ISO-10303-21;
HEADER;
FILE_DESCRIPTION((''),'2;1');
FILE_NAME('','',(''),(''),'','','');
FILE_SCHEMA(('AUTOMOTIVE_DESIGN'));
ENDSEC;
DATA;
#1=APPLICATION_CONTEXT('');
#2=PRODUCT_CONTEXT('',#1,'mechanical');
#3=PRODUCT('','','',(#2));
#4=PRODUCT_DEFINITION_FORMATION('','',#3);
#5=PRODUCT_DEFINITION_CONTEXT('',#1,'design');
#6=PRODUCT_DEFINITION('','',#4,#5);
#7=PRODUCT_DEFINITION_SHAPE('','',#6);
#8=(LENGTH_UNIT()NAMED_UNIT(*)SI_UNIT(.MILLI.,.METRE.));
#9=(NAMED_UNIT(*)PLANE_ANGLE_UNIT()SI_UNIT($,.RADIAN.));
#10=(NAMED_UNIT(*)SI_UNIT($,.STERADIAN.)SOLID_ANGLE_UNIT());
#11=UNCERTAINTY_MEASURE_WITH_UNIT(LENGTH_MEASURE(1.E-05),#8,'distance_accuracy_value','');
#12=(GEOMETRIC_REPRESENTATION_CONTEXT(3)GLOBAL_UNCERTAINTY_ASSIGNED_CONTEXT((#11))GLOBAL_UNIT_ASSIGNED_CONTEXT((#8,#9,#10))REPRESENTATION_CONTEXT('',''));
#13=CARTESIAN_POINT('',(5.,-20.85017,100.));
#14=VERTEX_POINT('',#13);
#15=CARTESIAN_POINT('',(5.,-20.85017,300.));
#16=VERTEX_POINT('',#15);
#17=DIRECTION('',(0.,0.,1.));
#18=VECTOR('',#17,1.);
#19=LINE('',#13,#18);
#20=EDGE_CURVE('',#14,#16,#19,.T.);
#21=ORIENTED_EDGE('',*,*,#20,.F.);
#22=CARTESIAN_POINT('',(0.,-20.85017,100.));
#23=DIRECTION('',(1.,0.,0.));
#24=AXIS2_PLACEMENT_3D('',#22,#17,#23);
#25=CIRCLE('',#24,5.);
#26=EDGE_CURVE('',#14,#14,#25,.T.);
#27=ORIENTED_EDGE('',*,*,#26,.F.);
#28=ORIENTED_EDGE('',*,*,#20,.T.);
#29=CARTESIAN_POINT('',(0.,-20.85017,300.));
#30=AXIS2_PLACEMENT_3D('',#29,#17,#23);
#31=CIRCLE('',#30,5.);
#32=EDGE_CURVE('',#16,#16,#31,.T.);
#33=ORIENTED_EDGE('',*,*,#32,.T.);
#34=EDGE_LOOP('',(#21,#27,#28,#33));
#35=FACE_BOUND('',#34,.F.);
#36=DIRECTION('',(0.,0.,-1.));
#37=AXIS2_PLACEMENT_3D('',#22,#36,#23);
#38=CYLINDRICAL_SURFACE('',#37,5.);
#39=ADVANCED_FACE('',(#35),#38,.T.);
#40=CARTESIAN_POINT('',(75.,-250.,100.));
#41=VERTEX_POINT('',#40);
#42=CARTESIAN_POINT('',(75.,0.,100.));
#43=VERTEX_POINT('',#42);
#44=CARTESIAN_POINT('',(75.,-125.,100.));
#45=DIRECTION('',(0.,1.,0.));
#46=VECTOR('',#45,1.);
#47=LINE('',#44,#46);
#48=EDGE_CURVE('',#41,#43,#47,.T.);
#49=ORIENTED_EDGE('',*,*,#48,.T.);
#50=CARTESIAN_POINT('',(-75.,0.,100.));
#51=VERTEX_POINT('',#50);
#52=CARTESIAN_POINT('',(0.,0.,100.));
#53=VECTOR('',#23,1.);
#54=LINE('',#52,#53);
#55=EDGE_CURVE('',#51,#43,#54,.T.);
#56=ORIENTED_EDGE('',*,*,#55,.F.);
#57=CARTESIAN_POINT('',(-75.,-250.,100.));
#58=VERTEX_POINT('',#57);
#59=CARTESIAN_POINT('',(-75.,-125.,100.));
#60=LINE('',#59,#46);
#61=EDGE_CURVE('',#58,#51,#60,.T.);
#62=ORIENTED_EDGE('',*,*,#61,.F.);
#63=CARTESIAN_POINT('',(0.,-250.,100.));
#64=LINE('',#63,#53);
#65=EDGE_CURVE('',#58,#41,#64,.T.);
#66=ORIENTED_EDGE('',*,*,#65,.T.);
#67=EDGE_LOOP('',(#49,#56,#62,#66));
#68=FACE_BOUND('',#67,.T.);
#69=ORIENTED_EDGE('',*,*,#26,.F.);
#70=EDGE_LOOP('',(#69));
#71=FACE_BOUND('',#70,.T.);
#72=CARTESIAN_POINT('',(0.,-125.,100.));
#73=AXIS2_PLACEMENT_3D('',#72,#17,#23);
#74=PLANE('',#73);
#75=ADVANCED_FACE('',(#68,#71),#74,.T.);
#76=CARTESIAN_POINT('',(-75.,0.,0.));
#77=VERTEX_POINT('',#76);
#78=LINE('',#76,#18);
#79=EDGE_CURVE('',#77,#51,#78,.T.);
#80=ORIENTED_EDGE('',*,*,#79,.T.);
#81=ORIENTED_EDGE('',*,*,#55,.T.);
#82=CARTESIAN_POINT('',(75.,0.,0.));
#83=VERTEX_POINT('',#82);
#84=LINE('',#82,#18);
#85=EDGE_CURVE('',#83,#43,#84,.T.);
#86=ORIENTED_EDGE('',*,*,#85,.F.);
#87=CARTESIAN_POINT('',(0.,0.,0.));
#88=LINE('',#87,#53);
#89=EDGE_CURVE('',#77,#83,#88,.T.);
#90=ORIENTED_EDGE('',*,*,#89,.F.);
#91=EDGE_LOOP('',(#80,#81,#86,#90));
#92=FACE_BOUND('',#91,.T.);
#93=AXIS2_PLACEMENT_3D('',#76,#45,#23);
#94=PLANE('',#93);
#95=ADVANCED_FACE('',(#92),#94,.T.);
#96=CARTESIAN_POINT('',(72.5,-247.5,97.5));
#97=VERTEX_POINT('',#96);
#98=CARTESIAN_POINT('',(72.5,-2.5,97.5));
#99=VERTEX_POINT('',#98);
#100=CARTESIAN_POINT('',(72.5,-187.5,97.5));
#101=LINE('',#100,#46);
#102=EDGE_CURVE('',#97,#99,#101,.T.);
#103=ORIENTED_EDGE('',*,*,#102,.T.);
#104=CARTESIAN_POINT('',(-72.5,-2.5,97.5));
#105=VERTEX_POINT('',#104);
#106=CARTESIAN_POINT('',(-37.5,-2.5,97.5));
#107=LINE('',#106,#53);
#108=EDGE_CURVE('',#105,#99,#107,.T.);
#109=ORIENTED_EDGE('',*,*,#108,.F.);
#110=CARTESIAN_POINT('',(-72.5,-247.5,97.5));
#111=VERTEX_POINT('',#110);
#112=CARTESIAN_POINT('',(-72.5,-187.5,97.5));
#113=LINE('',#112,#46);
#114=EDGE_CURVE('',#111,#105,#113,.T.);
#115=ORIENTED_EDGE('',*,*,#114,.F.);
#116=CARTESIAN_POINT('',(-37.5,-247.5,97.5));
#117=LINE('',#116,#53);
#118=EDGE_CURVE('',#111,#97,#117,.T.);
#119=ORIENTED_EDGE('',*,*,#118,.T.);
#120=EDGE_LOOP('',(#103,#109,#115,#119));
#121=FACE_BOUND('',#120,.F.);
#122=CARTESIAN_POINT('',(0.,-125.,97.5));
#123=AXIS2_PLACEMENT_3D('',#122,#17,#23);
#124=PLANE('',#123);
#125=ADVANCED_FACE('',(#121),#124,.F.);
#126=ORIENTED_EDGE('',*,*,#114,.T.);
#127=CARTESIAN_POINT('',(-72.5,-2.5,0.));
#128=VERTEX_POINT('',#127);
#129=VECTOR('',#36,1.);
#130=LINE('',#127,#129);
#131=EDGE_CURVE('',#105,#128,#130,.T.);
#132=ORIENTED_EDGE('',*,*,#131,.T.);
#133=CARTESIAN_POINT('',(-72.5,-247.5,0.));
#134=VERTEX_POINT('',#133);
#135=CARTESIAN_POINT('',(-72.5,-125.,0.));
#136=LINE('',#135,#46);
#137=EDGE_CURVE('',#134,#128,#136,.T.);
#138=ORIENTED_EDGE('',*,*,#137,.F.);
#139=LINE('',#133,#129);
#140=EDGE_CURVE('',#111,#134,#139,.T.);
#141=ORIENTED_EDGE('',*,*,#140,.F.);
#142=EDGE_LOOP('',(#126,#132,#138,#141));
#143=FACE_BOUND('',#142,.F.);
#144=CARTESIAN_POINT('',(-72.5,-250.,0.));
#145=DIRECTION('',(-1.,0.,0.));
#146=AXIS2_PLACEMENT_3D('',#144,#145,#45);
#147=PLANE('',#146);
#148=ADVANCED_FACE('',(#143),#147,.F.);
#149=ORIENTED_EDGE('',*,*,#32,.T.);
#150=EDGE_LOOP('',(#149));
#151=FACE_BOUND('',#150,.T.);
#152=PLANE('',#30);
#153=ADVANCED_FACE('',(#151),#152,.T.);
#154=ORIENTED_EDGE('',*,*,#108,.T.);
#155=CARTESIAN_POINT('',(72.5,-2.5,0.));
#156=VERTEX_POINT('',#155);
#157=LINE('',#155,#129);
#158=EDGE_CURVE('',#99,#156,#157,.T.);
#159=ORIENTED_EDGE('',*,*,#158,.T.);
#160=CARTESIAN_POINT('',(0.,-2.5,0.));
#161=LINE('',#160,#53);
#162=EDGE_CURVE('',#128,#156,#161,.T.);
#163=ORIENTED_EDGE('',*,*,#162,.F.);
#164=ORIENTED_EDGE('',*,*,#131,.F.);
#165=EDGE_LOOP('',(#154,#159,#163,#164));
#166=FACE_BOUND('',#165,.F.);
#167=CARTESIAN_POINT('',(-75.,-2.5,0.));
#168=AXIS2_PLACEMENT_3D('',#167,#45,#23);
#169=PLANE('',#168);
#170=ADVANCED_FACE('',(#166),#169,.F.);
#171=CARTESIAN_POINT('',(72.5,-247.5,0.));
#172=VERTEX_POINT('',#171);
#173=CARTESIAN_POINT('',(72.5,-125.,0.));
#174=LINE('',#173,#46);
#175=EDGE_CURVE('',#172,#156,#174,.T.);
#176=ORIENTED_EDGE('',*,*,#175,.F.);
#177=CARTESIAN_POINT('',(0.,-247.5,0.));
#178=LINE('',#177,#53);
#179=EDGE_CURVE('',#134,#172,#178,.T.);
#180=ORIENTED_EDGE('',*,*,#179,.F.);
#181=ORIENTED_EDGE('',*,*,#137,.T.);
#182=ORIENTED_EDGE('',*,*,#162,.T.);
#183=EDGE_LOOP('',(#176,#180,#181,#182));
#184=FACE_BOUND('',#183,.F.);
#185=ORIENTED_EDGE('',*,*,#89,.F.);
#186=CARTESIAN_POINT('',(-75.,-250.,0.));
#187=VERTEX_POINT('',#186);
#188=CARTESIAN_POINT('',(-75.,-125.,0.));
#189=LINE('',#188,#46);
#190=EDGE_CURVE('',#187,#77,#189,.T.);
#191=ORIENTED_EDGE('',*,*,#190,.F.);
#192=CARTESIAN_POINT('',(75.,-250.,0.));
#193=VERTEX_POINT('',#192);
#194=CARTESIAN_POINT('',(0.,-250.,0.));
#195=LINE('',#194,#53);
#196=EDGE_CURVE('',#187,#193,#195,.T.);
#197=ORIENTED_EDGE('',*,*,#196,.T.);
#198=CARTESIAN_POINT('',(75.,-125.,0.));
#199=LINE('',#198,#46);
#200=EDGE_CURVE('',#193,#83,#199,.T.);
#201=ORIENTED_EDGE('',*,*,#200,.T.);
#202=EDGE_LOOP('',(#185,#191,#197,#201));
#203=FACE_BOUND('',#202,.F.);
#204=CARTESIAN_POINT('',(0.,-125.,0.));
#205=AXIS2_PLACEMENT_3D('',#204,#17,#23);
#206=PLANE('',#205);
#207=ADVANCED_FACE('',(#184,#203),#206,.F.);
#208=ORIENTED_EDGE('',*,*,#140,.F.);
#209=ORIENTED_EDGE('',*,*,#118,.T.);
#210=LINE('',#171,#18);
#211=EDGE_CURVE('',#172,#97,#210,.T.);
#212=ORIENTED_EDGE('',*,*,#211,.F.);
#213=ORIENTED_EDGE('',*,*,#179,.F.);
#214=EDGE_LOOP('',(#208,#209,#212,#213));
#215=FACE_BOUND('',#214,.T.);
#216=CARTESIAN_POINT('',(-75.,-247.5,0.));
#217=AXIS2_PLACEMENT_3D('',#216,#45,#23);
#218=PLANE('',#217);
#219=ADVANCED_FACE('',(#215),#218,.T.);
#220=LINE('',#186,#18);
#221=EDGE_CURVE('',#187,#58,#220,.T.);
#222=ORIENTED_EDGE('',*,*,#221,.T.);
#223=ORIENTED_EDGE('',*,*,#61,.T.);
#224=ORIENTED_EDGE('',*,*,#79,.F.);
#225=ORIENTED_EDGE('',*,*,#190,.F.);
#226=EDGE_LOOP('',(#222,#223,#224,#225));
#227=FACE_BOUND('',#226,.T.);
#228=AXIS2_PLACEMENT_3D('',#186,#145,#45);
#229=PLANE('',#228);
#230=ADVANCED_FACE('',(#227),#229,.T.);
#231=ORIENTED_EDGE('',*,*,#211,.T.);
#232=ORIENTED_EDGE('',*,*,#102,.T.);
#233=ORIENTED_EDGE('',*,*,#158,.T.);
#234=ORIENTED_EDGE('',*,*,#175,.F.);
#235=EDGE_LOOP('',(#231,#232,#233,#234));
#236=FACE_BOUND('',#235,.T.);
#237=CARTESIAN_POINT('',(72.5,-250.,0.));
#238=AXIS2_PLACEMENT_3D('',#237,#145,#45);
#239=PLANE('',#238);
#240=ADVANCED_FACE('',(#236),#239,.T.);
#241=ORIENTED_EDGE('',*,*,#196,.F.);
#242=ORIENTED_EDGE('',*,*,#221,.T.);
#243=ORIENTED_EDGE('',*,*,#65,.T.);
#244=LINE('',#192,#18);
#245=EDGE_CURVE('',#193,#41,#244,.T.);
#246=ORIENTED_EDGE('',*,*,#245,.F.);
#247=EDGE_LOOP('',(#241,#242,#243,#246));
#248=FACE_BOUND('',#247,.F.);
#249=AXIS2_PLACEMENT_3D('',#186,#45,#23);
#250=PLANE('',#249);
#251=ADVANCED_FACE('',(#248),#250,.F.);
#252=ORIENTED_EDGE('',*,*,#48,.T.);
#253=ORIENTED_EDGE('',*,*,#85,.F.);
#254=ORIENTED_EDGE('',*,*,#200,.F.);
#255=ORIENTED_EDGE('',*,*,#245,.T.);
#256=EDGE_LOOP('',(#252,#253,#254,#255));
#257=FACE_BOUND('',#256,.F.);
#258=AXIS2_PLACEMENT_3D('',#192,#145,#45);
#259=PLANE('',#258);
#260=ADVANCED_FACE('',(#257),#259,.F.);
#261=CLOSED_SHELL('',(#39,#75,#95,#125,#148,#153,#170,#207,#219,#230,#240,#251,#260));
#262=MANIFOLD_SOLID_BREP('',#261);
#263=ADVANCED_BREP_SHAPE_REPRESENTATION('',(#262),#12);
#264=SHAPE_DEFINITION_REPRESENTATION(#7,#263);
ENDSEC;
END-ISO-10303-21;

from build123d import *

# Parameters (mm, degrees)
F0_W     = 150
F0_H     = 250
F1_DEPTH = 100
F2_T     = -2.5
F3_R     = 5
F4_DEPTH = 200


with BuildPart() as f1:
    # F0 (on Top) → F1 (new body)
    with BuildSketch(Plane.XY):
        with Locations((0, -125)):
            Rectangle(F0_W, F0_H)
    extrude(amount=F1_DEPTH)

    # F2
    f2_openings = [f1.faces().sort_by_distance(p)[0] for p in [
        (0, -125, 0),
    ]]
    offset(amount=F2_T, openings=f2_openings)

    # F3 (on face) → F4 (join)
    with BuildSketch(Plane.XY.offset(100)):
        with Locations((0, -20.85017)):
            Circle(F3_R)
    extrude(amount=F4_DEPTH)


solid = f1.part
